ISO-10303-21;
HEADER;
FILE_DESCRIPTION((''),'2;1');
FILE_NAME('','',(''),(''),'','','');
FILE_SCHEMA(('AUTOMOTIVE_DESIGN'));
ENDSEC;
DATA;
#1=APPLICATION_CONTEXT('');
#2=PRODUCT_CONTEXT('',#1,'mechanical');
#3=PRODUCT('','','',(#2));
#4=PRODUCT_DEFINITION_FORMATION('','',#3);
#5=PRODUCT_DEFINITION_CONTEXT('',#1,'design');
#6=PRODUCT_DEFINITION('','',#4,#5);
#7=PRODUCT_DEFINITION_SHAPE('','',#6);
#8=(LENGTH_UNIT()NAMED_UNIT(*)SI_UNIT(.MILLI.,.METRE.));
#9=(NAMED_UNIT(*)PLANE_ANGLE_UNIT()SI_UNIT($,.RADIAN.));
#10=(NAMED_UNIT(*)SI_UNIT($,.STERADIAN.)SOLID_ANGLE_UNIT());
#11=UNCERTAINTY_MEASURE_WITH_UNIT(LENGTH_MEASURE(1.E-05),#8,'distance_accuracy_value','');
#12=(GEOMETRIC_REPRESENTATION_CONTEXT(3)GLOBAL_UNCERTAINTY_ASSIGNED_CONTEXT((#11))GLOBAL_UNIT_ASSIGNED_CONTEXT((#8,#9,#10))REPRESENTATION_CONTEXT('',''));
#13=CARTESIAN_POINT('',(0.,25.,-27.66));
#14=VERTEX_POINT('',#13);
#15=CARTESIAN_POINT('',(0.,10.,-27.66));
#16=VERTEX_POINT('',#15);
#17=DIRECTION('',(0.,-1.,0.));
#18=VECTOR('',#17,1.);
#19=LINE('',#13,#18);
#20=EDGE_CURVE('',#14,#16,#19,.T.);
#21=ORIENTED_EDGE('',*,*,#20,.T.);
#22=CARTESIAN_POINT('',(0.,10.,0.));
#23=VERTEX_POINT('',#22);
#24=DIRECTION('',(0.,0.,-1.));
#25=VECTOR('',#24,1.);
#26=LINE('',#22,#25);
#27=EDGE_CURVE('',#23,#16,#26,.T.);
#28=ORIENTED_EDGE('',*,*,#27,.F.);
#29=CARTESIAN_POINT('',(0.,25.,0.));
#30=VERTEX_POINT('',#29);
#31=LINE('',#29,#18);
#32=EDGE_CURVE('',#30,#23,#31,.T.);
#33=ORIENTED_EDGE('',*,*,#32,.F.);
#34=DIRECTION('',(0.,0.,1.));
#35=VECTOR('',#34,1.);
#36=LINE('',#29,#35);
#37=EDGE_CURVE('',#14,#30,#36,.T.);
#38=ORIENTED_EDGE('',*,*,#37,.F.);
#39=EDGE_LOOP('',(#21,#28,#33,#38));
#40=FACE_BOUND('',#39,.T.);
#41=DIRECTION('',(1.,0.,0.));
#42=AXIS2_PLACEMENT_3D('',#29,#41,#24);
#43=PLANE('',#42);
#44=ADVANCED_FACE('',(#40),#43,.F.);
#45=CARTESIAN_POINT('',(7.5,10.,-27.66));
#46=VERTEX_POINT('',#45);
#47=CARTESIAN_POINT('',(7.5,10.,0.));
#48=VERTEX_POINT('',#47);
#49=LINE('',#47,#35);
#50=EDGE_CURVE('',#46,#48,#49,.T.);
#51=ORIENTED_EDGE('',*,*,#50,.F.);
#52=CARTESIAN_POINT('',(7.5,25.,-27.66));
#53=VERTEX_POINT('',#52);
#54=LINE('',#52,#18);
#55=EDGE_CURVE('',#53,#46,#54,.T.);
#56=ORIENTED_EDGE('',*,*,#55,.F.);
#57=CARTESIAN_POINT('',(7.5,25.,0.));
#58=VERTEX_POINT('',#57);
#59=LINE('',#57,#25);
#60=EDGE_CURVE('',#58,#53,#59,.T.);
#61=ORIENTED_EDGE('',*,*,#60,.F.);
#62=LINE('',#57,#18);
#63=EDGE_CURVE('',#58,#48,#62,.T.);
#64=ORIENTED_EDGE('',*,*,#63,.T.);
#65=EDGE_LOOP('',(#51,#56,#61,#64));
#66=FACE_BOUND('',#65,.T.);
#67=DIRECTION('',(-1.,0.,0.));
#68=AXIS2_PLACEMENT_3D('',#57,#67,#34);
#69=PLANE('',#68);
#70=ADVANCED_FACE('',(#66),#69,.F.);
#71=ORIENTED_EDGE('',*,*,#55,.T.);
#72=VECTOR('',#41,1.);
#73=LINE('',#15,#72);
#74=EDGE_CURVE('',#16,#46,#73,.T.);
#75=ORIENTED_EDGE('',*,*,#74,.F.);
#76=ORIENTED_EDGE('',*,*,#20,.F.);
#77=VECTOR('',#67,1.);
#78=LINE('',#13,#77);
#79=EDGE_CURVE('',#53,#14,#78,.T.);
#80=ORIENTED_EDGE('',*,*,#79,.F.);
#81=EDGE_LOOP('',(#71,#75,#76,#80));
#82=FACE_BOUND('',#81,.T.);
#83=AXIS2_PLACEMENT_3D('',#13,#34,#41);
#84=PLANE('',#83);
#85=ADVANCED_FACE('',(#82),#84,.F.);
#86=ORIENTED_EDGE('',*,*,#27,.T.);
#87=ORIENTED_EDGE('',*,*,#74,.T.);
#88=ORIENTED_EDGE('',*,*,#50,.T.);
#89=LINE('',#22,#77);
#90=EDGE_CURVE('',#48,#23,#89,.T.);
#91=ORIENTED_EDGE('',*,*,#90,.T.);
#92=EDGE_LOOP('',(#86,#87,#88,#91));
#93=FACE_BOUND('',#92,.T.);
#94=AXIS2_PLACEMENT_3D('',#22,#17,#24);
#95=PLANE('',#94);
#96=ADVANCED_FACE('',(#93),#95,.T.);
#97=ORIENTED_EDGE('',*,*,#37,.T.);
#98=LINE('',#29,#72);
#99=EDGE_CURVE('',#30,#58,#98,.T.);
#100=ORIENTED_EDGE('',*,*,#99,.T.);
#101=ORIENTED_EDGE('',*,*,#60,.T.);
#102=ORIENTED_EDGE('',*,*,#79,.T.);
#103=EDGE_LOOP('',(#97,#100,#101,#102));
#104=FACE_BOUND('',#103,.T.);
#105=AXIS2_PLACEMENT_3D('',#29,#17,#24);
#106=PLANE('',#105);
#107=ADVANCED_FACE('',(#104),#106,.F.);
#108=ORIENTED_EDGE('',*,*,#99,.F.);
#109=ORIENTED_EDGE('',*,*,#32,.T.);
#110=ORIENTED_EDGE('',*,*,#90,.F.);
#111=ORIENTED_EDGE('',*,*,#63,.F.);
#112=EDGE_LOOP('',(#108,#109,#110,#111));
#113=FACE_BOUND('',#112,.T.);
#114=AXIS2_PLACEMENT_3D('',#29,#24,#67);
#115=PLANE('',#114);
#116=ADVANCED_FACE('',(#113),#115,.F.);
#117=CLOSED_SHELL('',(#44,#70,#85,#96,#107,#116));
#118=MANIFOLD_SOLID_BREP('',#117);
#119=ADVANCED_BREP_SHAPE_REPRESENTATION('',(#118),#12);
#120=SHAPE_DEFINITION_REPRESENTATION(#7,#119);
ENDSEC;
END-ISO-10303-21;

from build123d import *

# Parameters (mm, degrees)
SKETCH1_W           = 7.5
SKETCH1_H           = 27.66
BOSS_EXTRUDE1_DEPTH = 25
SKETCH2_W           = 7.5
SKETCH2_H           = 27.66
CUT_EXTRUDE1_DEPTH  = 10


with BuildPart() as part:
    # Sketch1 → Boss-Extrude1 (new body)
    with BuildSketch(Plane(origin=(0, 0, 0), x_dir=(1, 0, 0), z_dir=(0, 1, 0))):
        with Locations((3.75, 13.83)):
            Rectangle(SKETCH1_W, SKETCH1_H)
    extrude(amount=BOSS_EXTRUDE1_DEPTH)

    # Sketch2 → Cut-Extrude1 (cut)
    with BuildSketch(Plane.XZ):
        with Locations((3.75, -13.83)):
            Rectangle(SKETCH2_W, SKETCH2_H)
    extrude(amount=-CUT_EXTRUDE1_DEPTH, mode=Mode.SUBTRACT)


solid = part.part
